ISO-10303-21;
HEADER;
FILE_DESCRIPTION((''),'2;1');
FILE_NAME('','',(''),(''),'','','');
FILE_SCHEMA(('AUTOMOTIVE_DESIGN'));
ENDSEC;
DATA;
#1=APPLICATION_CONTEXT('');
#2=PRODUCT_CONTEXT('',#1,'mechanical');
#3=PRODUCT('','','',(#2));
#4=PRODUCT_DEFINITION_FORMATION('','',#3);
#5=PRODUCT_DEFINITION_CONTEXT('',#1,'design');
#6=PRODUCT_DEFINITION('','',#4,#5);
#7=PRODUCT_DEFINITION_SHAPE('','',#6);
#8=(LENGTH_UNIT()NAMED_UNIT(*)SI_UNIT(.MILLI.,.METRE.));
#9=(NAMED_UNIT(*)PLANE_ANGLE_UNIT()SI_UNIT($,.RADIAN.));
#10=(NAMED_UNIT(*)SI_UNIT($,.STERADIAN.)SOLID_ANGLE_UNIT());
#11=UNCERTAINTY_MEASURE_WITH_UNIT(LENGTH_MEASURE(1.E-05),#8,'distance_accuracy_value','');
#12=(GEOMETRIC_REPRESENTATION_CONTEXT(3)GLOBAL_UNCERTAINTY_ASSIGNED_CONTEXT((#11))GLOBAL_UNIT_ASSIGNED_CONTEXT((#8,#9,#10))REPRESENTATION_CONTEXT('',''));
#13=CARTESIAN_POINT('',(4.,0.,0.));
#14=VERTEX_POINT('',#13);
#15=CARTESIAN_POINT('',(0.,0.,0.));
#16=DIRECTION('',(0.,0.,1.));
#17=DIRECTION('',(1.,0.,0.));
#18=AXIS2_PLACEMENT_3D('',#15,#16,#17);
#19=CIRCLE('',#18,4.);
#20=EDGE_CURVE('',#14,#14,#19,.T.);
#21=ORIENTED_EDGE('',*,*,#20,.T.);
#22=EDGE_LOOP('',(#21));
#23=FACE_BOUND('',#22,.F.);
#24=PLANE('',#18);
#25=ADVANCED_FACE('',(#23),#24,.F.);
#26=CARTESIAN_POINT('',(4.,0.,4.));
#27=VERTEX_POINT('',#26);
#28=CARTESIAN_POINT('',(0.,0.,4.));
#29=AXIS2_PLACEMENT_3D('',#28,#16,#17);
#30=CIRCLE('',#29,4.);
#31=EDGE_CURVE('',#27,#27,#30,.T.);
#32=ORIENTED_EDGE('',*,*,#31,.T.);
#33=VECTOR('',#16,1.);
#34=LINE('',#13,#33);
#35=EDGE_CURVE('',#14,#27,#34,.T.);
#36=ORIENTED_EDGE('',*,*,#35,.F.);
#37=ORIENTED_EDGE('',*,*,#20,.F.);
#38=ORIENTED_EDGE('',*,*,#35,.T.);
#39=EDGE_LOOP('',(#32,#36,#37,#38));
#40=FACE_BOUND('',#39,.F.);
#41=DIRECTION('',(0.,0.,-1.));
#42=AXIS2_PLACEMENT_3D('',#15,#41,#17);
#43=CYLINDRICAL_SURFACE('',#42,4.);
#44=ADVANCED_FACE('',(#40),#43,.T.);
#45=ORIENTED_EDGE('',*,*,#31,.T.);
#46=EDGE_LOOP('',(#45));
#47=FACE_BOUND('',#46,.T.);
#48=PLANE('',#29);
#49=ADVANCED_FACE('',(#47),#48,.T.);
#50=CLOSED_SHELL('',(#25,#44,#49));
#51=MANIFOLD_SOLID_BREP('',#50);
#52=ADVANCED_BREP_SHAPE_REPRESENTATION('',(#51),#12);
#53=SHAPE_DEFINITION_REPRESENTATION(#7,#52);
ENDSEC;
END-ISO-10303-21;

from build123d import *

# Parameters (mm, degrees)
CYLINDER_R     = 4
CYLINDER_DEPTH = 4


with BuildPart() as part:
    # Cylinder → Cylinder (new body)
    with BuildSketch(Plane.XY):
        Circle(CYLINDER_R)
    extrude(amount=CYLINDER_DEPTH)


solid = part.part
